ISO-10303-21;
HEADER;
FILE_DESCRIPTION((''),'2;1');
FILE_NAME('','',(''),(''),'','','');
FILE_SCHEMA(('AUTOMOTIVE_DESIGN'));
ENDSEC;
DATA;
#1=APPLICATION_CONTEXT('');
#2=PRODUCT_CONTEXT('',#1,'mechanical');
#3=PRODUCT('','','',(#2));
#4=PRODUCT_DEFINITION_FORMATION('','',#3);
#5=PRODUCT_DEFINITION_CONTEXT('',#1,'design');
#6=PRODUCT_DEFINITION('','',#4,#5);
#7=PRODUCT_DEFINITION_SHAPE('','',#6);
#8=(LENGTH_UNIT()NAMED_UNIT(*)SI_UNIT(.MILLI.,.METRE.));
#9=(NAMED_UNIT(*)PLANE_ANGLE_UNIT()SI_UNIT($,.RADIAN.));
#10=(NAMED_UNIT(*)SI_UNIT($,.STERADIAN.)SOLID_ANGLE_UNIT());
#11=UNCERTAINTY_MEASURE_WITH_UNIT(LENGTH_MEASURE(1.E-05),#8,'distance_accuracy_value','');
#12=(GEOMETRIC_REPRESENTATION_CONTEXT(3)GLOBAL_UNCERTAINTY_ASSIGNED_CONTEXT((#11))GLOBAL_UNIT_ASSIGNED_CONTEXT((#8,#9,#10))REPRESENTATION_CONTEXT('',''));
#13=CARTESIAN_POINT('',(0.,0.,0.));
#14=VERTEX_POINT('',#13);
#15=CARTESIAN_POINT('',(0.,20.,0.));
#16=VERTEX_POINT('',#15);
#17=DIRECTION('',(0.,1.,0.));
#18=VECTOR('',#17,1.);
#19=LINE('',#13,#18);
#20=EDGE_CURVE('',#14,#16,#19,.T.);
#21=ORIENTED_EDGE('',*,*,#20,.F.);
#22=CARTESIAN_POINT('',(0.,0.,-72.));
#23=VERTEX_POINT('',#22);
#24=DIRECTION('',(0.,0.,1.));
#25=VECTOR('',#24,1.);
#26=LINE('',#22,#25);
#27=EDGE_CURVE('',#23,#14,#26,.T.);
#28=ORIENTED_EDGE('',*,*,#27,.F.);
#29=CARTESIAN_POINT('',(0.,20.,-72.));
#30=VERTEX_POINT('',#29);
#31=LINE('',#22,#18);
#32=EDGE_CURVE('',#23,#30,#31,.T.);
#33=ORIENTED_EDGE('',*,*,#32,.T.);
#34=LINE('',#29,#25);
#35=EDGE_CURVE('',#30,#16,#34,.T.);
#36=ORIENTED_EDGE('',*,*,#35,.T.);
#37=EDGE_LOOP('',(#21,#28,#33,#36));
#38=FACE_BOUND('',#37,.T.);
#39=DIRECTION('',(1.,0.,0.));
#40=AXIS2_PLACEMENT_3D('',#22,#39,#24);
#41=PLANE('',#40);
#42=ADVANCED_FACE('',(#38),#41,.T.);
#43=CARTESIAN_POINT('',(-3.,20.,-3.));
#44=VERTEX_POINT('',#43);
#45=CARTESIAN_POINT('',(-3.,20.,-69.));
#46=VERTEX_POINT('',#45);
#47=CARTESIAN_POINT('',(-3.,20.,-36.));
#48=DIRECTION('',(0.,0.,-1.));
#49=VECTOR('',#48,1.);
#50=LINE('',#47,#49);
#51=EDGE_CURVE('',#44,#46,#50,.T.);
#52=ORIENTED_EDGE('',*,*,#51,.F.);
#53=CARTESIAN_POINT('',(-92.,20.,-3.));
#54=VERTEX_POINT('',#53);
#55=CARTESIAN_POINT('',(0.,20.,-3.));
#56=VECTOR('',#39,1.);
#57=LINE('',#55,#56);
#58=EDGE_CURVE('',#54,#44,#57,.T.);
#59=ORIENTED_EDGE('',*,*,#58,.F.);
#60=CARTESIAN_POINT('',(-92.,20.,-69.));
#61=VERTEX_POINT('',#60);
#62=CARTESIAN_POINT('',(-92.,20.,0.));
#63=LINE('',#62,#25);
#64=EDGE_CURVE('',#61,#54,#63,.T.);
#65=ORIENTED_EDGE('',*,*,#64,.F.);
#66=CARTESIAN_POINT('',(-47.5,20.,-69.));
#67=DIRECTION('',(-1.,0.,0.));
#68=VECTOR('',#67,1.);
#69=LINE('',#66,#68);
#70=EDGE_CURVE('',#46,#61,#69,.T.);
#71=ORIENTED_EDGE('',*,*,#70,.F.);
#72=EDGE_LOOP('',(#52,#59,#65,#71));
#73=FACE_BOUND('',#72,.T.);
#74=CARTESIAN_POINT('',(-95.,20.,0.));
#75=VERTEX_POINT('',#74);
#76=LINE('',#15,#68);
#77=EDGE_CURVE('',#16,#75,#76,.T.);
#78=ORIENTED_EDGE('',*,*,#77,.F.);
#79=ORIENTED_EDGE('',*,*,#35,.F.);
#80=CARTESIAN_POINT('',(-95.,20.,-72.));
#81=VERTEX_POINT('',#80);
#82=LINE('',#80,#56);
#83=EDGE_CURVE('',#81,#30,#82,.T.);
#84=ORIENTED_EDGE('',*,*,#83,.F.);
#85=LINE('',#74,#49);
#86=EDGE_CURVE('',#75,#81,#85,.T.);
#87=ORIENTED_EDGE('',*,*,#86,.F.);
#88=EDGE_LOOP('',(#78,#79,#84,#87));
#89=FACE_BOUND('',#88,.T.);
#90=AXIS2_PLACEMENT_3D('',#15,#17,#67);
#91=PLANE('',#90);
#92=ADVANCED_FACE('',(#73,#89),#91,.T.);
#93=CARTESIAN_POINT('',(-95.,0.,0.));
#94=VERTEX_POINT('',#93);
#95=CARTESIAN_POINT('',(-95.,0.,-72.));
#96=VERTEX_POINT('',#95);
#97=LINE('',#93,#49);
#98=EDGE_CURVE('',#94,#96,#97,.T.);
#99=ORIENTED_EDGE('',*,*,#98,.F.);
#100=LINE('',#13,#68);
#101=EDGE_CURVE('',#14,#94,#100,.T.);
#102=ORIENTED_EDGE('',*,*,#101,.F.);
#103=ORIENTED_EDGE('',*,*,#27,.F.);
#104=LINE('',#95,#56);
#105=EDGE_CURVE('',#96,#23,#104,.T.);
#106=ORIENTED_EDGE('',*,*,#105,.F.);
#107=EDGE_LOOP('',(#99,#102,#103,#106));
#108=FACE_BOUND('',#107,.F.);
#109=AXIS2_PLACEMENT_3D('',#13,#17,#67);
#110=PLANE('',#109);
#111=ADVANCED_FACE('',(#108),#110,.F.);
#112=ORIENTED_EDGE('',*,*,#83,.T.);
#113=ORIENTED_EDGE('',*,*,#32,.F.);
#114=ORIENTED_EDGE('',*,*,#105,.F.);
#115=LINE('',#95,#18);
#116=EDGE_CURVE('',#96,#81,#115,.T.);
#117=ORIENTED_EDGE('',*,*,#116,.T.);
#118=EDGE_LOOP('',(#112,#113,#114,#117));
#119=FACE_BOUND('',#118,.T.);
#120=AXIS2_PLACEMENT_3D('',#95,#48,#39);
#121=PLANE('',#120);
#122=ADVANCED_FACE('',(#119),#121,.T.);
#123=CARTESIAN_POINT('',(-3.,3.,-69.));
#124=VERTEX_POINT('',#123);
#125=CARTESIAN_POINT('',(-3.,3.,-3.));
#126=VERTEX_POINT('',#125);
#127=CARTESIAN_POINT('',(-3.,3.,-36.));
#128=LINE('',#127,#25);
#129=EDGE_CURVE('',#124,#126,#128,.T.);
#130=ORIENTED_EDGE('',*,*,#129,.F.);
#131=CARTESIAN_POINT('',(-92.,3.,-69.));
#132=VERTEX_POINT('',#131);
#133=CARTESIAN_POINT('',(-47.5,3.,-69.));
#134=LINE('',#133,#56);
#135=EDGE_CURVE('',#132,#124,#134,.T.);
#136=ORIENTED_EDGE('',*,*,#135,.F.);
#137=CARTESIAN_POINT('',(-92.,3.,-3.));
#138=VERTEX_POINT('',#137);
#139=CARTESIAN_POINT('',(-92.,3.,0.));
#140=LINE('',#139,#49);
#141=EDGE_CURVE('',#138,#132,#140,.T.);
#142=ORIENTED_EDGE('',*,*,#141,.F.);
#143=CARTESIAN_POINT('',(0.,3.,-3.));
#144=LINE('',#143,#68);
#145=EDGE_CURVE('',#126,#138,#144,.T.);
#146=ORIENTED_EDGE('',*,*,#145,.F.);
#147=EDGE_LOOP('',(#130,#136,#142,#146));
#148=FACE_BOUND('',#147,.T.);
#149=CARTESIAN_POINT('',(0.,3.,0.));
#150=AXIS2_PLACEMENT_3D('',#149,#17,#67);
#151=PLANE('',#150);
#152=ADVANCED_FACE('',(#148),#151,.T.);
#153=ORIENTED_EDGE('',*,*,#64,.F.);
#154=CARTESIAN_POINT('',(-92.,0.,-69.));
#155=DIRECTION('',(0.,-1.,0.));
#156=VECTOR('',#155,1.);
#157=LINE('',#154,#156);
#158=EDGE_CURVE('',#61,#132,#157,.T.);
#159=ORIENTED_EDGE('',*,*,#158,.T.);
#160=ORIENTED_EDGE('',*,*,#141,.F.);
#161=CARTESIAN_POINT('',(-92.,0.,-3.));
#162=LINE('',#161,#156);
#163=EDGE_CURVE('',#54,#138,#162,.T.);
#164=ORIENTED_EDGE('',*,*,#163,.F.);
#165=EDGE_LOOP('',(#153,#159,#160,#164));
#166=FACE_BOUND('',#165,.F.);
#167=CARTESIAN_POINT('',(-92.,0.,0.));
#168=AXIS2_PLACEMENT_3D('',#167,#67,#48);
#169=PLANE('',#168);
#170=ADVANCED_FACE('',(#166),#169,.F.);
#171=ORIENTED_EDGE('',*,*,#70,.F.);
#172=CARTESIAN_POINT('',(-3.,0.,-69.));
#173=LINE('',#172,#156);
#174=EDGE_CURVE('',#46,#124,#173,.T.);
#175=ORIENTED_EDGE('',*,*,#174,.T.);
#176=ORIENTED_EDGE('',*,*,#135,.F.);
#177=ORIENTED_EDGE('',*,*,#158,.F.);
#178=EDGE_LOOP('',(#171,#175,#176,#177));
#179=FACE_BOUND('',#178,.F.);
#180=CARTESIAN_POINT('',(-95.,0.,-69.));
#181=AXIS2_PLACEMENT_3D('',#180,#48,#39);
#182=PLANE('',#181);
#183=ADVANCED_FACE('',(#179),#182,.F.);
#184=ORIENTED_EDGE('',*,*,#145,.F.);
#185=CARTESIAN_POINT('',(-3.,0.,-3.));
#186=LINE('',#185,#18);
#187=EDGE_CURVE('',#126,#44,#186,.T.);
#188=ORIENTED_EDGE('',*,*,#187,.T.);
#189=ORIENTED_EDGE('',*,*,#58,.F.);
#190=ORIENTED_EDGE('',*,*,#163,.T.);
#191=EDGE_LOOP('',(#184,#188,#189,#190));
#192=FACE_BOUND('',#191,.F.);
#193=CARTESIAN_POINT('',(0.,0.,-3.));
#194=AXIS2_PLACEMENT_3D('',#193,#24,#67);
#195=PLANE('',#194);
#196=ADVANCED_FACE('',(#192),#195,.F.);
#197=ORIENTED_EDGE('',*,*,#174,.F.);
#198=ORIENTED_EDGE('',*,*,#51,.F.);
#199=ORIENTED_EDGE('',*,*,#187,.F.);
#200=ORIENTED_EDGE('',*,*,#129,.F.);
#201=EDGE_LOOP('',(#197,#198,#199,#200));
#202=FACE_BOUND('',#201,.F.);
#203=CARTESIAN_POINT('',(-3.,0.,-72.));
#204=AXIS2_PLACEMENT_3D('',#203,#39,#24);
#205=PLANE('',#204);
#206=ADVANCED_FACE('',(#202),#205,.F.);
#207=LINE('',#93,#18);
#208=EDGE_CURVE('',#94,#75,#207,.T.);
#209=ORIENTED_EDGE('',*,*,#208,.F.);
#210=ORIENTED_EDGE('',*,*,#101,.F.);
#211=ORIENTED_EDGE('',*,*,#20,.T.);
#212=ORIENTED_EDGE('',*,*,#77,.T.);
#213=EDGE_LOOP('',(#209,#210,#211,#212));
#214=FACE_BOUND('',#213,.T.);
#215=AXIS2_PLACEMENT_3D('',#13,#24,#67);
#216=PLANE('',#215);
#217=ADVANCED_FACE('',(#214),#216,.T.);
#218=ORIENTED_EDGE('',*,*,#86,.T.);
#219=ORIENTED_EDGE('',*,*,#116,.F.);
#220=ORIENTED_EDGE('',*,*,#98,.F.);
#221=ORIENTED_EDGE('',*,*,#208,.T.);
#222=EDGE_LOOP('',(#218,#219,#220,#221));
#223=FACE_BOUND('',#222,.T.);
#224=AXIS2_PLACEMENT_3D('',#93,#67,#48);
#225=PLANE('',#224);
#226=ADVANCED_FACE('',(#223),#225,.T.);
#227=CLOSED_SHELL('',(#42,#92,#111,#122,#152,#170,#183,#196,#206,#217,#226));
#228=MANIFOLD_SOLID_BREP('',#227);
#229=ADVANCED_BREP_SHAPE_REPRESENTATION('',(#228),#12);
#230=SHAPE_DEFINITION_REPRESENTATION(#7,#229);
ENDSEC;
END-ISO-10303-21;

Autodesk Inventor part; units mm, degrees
ref_plane "YZ Plane" through (0, 0, 0) normal (1, 0, 0) x (0, 1, 0)
ref_plane "XZ Plane" through (0, 0, 0) normal (0, 1, 0) x (-1, 0, 0)
ref_plane "XY Plane" through (0, 0, 0) normal (0, 0, 1) x (1, 0, 0)
sketch "スケッチ1" plane through (0, 0, 0) normal (0, 1, 0) x (-1, 0, 0)
  line L0 (0, 0) -> (95, 0)
  line L1 (95, 0) -> (95, -72)
  line L2 (95, -72) -> (0, -72)
  line L3 (0, -72) -> (0, 0)
  dimension "d0" = 95
  dimension "d1" = 72
extrude "押し出し1" add sketch "スケッチ1" along normal blind 20
shell "シェル1" thickness 3 removed faces 1 at (-31.6667, 20, -48)
properties part number "motor_driver"
